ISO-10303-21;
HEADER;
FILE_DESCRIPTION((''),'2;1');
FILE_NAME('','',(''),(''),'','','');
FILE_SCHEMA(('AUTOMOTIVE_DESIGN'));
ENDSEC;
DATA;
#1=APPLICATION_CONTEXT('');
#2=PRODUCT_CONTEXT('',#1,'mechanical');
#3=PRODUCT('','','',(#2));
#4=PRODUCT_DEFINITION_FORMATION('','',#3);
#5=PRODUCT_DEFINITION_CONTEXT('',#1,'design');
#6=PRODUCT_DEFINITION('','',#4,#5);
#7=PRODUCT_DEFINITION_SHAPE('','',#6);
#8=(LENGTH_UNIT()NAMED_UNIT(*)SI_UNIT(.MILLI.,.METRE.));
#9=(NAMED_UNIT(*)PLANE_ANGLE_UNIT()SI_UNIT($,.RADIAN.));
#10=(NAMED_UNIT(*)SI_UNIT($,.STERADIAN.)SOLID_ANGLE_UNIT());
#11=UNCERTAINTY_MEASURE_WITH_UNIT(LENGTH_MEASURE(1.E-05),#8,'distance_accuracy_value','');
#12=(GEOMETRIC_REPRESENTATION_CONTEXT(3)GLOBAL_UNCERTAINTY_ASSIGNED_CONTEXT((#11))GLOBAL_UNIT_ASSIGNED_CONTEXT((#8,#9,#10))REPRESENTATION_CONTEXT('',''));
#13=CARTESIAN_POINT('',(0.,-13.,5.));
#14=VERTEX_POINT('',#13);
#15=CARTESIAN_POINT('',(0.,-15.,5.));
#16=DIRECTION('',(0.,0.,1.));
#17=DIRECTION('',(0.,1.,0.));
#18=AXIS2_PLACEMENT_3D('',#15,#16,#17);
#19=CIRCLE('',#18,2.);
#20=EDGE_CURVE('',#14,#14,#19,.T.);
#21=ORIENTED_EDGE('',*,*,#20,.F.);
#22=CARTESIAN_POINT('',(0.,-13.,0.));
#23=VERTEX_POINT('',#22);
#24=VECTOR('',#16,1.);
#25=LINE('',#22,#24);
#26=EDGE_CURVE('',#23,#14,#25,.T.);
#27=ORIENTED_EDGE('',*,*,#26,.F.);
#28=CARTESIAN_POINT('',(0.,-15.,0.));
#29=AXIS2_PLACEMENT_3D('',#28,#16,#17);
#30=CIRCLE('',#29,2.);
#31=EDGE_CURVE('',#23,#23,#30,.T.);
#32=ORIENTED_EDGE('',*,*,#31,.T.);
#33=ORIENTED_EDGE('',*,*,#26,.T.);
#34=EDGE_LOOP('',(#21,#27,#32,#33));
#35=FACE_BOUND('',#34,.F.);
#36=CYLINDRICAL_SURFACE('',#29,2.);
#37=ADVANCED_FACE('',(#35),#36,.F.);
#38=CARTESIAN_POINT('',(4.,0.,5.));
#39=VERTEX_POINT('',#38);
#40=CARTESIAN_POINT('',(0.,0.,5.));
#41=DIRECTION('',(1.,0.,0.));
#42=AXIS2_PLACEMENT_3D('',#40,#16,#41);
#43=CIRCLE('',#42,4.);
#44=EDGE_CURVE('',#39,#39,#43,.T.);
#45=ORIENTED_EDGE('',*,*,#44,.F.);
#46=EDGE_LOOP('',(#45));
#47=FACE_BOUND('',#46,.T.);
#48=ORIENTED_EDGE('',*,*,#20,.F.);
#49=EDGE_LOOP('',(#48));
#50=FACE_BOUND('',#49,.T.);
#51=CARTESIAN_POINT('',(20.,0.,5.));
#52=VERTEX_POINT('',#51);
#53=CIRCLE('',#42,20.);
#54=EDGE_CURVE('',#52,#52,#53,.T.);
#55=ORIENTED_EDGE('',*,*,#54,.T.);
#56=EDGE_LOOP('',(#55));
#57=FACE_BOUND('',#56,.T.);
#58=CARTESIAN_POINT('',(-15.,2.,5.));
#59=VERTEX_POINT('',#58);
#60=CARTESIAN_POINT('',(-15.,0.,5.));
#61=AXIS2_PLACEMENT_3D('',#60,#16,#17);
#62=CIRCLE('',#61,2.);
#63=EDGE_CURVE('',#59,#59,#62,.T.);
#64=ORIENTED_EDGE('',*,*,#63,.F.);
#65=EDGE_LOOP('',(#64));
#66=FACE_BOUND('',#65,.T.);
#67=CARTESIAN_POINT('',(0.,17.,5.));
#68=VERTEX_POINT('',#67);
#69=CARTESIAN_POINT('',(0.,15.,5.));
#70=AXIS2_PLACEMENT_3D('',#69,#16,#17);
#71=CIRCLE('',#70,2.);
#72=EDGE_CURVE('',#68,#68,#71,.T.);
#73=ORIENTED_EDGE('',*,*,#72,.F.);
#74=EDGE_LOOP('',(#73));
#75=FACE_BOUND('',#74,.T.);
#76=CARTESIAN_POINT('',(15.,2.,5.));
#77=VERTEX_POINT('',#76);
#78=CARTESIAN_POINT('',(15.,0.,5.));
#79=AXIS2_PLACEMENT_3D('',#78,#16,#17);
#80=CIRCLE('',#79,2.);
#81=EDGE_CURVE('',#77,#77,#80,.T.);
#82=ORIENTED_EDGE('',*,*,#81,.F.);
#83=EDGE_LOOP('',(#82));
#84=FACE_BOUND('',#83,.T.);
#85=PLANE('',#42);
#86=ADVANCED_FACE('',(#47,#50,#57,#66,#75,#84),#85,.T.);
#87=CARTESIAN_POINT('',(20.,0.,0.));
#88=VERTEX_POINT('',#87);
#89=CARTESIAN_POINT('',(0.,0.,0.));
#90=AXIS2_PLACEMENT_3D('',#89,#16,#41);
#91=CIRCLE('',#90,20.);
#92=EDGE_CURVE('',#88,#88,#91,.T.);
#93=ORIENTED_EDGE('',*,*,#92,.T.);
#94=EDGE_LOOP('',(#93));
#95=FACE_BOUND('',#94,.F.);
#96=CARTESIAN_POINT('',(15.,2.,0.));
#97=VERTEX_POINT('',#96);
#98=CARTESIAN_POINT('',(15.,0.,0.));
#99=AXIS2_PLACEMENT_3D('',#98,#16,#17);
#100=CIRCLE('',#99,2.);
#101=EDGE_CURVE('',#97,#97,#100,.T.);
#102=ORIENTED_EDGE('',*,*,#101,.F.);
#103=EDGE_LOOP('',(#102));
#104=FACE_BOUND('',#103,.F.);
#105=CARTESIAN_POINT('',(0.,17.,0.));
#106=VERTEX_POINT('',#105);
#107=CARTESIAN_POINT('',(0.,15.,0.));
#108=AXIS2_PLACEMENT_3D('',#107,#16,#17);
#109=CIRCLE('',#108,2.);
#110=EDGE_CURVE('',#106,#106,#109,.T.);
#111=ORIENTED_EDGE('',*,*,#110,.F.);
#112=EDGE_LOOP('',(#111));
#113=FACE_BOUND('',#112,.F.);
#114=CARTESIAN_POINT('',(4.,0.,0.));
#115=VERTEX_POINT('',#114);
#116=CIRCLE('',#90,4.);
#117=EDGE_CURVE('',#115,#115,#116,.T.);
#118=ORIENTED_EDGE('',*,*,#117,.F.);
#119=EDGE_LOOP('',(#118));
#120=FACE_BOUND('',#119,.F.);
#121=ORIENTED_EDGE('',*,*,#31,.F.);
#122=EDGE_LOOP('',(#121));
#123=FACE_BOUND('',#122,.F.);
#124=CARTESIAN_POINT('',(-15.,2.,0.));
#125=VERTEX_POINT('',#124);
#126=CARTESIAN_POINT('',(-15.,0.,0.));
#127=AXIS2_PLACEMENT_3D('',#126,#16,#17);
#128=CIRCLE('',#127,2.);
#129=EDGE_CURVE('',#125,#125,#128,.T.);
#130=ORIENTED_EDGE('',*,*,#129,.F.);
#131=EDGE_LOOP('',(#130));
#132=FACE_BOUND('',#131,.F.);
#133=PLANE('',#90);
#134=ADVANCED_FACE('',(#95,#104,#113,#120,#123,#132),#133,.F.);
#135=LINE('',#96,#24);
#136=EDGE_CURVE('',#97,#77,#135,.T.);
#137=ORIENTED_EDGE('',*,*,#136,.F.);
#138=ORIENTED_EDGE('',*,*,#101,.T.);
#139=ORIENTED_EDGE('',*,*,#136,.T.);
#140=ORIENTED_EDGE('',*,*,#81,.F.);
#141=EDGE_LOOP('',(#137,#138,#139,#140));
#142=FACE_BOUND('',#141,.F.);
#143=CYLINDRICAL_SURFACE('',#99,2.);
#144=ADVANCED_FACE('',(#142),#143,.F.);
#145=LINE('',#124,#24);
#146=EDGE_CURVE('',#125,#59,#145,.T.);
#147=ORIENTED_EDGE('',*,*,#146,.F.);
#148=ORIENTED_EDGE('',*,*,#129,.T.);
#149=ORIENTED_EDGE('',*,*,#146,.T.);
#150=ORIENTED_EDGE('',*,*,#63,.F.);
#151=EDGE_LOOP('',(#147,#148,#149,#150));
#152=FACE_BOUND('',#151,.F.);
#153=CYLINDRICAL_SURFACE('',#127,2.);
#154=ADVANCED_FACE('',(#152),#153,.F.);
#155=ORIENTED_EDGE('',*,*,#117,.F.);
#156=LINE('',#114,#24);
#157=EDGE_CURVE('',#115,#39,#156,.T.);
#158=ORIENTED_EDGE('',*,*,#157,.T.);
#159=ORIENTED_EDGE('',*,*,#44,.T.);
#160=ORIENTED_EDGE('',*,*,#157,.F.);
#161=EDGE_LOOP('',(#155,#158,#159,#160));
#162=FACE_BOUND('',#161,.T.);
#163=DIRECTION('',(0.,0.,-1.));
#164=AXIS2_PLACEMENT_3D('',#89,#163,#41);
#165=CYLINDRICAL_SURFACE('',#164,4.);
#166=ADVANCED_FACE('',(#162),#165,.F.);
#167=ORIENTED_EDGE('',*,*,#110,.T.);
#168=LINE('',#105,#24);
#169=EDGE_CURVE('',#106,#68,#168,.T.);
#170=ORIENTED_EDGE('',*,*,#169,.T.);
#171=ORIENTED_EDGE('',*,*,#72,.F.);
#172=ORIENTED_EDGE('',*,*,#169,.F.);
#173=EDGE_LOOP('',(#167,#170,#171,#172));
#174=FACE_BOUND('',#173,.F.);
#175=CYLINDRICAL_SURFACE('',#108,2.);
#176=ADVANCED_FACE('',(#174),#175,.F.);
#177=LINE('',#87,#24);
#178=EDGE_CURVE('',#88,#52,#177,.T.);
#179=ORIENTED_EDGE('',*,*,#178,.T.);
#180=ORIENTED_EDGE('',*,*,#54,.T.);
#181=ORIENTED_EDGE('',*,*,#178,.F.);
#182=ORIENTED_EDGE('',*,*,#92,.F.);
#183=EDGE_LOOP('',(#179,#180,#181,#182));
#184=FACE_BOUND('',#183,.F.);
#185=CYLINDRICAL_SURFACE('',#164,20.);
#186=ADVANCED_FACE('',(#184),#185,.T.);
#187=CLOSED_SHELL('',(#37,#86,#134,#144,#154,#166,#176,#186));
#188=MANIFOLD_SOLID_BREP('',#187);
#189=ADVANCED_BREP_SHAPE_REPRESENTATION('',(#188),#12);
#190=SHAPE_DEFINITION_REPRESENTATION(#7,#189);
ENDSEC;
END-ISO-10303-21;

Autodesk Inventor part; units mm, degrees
ref_plane "YZ Plane" through (0, 0, 0) normal (1, 0, 0) x (0, 1, 0)
ref_plane "XZ Plane" through (0, 0, 0) normal (0, 1, 0) x (-1, 0, 0)
ref_plane "XY Plane" through (0, 0, 0) normal (0, 0, 1) x (1, 0, 0)
sketch "Boceto1" plane through (0, 0, 0) normal (0, 0, 1) x (1, 0, 0)
  circle A0 centre (0, 0) radius 20
  circle A1 centre (0, 0) radius 4
  dimension "d0" = 40
  dimension "d42" = 8
extrude "Extrusión1" add sketch "Boceto1" along normal blind 5
sketch "Boceto3" plane through (0, 0, 0) normal (0, 0, -1) x (-1, 0, 0)
  circle A0 centre (0, 15) radius 2
  circle A1 centre (-15, 0) radius 2
  circle A2 centre (15, 0) radius 2
  circle A3 centre (0, -15) radius 2
  point P0 (0, 0)
  dimension "d6" = 4
  dimension "d7" = 4
  dimension "d8" = 4
  dimension "d9" = 4
  dimension "d10" = 15
  dimension "d11" = 15
  dimension "d12" = 15
  dimension "d13" = 15
hole "Agujero1" at (0, 15, 0) direction (0, 0, 1) diameter 4 end through all
hole "Agujero2" at (15, 0, 0) direction (0, 0, 1) diameter 4 end through all
hole "Agujero3" at (-15, 0, 0) direction (0, 0, 1) diameter 4 end through all
hole "Agujero4" at (0, -15, 0) direction (0, 0, 1) diameter 4 end through all
properties part number "Brida1"
